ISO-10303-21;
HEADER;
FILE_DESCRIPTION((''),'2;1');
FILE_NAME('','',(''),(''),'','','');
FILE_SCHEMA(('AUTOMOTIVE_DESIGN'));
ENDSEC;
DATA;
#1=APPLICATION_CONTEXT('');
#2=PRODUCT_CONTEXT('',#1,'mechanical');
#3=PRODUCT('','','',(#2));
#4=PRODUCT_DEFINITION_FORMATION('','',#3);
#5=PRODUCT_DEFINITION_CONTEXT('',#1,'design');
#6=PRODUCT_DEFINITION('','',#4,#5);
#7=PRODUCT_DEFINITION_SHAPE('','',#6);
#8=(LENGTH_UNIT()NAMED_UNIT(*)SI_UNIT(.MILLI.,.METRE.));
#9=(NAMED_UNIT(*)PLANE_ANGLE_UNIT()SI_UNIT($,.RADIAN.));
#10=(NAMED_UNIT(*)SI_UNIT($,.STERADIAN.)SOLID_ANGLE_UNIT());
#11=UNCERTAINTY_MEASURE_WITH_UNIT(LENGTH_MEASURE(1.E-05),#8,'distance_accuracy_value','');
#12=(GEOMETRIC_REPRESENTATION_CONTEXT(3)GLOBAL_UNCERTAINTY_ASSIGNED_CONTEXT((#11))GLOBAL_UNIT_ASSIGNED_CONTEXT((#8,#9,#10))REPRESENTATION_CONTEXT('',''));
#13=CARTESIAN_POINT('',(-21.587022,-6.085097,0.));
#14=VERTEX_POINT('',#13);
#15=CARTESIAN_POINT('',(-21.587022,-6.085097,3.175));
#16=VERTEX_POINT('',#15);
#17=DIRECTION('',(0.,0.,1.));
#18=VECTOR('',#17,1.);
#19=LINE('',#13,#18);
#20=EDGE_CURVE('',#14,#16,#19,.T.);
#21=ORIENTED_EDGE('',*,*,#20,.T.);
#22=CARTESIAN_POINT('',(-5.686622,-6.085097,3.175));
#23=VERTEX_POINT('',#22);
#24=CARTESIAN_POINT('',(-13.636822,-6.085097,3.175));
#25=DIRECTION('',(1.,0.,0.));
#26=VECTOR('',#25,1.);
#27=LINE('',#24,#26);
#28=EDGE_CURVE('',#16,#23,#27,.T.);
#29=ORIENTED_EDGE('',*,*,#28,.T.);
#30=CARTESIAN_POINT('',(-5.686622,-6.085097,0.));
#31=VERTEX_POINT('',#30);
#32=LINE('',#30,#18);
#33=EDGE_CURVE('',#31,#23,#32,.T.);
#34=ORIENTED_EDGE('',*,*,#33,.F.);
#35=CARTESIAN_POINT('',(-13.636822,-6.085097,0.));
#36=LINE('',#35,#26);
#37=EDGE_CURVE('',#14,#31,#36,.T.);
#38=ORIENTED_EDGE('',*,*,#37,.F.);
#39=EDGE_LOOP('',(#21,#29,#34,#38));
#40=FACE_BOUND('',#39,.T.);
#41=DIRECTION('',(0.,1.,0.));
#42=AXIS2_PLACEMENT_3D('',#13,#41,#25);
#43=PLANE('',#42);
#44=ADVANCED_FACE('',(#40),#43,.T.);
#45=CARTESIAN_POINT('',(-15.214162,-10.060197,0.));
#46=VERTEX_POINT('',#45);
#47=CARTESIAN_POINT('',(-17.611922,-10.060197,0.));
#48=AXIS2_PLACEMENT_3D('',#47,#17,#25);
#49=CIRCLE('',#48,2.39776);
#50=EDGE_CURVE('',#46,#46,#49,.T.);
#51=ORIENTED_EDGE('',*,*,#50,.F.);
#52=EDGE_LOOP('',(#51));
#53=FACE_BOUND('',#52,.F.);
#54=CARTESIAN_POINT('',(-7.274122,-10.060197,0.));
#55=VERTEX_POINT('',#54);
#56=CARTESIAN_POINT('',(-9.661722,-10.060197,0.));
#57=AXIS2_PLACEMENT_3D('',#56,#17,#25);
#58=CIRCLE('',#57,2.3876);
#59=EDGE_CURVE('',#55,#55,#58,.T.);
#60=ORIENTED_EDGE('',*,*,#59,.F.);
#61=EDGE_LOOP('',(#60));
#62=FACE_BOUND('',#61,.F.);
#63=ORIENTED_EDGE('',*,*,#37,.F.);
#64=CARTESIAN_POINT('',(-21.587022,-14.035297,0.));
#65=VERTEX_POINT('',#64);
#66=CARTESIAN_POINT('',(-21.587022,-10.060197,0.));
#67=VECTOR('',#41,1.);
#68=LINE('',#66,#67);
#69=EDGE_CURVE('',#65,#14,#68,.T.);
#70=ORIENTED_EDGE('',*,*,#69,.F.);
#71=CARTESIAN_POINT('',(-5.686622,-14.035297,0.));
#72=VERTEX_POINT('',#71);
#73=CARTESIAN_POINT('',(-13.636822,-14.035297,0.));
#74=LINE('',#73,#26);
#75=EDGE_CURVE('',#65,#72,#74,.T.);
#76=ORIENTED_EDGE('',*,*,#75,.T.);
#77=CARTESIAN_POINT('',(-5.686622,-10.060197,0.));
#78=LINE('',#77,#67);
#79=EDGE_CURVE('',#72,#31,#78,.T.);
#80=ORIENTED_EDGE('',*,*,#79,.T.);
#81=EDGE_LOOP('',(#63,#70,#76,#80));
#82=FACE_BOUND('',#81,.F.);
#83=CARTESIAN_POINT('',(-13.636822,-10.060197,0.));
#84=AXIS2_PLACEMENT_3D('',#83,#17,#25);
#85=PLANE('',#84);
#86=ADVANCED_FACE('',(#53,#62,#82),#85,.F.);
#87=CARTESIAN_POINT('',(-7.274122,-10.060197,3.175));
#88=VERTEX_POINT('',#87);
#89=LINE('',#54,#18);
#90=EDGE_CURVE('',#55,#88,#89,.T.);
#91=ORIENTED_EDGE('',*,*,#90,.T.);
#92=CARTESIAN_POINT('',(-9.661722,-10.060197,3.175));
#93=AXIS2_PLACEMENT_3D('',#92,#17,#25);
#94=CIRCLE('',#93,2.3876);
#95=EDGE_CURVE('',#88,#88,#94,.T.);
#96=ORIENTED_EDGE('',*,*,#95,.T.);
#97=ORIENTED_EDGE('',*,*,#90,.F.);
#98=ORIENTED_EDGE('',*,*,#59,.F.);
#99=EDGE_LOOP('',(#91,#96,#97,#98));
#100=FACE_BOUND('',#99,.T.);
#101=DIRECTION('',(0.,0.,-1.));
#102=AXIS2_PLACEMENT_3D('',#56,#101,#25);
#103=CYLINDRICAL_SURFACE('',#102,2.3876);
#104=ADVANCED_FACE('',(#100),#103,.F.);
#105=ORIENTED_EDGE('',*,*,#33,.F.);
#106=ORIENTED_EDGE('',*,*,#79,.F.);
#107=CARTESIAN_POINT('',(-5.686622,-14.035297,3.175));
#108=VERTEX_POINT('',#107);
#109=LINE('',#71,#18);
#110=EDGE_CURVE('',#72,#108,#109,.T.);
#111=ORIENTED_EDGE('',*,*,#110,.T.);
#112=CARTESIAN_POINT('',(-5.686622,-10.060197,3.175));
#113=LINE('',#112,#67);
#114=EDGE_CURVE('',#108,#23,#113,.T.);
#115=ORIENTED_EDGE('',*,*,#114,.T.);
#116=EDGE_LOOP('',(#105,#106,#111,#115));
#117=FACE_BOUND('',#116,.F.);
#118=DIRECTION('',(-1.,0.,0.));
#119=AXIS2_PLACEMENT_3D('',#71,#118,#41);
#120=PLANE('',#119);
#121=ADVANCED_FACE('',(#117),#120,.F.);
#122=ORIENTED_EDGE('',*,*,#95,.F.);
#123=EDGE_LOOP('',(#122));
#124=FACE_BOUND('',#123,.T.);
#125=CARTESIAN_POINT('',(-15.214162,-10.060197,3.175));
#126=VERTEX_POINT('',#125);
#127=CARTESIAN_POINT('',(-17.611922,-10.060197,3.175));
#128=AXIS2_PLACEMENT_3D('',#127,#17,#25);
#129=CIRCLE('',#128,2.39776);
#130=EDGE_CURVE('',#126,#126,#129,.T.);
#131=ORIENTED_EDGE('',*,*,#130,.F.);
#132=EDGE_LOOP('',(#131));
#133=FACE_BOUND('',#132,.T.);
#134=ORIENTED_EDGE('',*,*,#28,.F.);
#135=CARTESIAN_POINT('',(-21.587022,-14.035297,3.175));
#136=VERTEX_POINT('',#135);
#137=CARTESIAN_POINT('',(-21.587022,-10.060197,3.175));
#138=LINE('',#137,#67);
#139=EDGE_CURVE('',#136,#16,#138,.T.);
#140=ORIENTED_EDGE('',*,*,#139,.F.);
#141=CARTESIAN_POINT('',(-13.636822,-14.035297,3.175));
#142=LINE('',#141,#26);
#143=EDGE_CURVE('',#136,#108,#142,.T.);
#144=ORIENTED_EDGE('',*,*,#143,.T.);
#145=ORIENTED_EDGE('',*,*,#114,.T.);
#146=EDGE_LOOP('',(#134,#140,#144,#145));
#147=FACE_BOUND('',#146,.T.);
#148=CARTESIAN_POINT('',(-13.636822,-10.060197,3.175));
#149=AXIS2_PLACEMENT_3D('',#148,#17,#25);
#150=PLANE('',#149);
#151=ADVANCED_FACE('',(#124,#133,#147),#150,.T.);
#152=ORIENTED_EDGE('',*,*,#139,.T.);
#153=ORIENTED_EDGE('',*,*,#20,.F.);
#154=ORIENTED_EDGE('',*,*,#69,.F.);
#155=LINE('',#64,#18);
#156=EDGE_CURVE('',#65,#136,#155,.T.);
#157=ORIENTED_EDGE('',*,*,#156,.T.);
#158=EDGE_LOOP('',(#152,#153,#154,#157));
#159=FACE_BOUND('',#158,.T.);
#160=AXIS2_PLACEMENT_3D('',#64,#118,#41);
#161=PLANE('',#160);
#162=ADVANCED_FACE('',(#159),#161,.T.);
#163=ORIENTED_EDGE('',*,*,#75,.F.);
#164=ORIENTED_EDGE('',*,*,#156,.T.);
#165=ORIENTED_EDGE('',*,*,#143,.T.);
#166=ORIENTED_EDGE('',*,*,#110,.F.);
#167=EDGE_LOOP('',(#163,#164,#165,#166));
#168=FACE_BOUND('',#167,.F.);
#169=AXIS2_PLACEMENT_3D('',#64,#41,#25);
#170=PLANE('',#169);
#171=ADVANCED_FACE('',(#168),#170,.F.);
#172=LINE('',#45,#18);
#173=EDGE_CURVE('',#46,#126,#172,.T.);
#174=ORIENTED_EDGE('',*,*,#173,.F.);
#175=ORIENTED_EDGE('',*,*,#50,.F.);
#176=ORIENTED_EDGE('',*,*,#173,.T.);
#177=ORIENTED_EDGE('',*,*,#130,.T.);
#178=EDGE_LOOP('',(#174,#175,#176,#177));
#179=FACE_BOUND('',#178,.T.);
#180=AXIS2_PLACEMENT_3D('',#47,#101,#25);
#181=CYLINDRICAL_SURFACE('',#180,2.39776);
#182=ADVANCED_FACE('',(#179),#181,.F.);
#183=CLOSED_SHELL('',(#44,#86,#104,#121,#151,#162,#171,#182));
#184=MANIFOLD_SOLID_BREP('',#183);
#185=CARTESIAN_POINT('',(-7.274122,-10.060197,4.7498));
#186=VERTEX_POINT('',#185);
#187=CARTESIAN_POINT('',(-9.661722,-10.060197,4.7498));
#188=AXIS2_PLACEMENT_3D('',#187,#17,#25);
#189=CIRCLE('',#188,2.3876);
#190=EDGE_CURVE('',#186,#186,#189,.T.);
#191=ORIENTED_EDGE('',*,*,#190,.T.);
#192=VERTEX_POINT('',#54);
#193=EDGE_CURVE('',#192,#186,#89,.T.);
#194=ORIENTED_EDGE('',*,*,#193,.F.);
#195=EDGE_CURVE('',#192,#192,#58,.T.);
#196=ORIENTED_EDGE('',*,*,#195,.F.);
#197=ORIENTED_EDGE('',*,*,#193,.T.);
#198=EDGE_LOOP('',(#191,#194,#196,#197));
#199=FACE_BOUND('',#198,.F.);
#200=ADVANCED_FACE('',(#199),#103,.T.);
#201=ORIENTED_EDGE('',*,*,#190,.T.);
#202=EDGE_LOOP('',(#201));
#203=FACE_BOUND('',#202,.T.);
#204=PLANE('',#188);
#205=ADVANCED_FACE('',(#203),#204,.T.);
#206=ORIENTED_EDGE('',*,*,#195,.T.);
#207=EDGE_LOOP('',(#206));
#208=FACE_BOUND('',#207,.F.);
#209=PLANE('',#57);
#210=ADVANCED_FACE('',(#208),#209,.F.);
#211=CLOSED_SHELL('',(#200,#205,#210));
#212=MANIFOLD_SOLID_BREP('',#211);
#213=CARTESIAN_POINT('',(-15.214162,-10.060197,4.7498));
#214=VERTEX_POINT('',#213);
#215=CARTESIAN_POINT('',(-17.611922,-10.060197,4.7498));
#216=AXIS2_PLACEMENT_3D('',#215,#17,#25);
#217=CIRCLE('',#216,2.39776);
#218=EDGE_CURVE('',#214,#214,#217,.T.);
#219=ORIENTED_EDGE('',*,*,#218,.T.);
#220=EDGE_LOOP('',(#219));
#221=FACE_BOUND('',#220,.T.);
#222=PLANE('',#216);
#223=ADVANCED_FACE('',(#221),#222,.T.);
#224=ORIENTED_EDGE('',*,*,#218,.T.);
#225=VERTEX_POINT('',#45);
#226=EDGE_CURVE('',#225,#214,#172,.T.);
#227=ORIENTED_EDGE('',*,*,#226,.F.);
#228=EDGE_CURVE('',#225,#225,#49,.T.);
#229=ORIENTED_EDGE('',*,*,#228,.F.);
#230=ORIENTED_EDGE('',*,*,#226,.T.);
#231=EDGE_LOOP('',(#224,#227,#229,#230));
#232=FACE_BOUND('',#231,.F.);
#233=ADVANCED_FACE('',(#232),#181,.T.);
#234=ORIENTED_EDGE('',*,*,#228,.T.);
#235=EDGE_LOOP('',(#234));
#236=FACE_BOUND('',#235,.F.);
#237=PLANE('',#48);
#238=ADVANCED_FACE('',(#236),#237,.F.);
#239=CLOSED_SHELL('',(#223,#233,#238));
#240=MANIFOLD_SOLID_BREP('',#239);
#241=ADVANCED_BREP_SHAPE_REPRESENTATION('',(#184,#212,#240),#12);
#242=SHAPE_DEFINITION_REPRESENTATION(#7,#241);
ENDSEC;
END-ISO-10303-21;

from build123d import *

# Parameters (mm, degrees)
F0_R     = 2.3876
F0_R_2   = 2.39776
F1_DEPTH = 4.7498
F0_W     = 15.9004
F0_H     = 7.9502
F2_DEPTH = 3.175


with BuildPart() as f1:
    # F0 (on Top) → F1 (new body)
    with BuildSketch(Plane.XY):
        with Locations((-9.661722, -10.060197)):
            Circle(F0_R)
        with Locations((-17.611922, -10.060197)):
            Circle(F0_R_2)
    extrude(amount=F1_DEPTH)


with BuildPart() as f2:
    # F0 (on Top) → F2 (new body)
    with BuildSketch(Plane.XY):
        with Locations((-13.636822, -10.060197)):
            Rectangle(F0_W, F0_H)
        with Locations((-17.611922, -10.060197)):
            Circle(F0_R_2, mode=Mode.SUBTRACT)
        with Locations((-9.661722, -10.060197)):
            Circle(F0_R, mode=Mode.SUBTRACT)
    extrude(amount=F2_DEPTH)


solid = Compound([f1.part, f2.part])
